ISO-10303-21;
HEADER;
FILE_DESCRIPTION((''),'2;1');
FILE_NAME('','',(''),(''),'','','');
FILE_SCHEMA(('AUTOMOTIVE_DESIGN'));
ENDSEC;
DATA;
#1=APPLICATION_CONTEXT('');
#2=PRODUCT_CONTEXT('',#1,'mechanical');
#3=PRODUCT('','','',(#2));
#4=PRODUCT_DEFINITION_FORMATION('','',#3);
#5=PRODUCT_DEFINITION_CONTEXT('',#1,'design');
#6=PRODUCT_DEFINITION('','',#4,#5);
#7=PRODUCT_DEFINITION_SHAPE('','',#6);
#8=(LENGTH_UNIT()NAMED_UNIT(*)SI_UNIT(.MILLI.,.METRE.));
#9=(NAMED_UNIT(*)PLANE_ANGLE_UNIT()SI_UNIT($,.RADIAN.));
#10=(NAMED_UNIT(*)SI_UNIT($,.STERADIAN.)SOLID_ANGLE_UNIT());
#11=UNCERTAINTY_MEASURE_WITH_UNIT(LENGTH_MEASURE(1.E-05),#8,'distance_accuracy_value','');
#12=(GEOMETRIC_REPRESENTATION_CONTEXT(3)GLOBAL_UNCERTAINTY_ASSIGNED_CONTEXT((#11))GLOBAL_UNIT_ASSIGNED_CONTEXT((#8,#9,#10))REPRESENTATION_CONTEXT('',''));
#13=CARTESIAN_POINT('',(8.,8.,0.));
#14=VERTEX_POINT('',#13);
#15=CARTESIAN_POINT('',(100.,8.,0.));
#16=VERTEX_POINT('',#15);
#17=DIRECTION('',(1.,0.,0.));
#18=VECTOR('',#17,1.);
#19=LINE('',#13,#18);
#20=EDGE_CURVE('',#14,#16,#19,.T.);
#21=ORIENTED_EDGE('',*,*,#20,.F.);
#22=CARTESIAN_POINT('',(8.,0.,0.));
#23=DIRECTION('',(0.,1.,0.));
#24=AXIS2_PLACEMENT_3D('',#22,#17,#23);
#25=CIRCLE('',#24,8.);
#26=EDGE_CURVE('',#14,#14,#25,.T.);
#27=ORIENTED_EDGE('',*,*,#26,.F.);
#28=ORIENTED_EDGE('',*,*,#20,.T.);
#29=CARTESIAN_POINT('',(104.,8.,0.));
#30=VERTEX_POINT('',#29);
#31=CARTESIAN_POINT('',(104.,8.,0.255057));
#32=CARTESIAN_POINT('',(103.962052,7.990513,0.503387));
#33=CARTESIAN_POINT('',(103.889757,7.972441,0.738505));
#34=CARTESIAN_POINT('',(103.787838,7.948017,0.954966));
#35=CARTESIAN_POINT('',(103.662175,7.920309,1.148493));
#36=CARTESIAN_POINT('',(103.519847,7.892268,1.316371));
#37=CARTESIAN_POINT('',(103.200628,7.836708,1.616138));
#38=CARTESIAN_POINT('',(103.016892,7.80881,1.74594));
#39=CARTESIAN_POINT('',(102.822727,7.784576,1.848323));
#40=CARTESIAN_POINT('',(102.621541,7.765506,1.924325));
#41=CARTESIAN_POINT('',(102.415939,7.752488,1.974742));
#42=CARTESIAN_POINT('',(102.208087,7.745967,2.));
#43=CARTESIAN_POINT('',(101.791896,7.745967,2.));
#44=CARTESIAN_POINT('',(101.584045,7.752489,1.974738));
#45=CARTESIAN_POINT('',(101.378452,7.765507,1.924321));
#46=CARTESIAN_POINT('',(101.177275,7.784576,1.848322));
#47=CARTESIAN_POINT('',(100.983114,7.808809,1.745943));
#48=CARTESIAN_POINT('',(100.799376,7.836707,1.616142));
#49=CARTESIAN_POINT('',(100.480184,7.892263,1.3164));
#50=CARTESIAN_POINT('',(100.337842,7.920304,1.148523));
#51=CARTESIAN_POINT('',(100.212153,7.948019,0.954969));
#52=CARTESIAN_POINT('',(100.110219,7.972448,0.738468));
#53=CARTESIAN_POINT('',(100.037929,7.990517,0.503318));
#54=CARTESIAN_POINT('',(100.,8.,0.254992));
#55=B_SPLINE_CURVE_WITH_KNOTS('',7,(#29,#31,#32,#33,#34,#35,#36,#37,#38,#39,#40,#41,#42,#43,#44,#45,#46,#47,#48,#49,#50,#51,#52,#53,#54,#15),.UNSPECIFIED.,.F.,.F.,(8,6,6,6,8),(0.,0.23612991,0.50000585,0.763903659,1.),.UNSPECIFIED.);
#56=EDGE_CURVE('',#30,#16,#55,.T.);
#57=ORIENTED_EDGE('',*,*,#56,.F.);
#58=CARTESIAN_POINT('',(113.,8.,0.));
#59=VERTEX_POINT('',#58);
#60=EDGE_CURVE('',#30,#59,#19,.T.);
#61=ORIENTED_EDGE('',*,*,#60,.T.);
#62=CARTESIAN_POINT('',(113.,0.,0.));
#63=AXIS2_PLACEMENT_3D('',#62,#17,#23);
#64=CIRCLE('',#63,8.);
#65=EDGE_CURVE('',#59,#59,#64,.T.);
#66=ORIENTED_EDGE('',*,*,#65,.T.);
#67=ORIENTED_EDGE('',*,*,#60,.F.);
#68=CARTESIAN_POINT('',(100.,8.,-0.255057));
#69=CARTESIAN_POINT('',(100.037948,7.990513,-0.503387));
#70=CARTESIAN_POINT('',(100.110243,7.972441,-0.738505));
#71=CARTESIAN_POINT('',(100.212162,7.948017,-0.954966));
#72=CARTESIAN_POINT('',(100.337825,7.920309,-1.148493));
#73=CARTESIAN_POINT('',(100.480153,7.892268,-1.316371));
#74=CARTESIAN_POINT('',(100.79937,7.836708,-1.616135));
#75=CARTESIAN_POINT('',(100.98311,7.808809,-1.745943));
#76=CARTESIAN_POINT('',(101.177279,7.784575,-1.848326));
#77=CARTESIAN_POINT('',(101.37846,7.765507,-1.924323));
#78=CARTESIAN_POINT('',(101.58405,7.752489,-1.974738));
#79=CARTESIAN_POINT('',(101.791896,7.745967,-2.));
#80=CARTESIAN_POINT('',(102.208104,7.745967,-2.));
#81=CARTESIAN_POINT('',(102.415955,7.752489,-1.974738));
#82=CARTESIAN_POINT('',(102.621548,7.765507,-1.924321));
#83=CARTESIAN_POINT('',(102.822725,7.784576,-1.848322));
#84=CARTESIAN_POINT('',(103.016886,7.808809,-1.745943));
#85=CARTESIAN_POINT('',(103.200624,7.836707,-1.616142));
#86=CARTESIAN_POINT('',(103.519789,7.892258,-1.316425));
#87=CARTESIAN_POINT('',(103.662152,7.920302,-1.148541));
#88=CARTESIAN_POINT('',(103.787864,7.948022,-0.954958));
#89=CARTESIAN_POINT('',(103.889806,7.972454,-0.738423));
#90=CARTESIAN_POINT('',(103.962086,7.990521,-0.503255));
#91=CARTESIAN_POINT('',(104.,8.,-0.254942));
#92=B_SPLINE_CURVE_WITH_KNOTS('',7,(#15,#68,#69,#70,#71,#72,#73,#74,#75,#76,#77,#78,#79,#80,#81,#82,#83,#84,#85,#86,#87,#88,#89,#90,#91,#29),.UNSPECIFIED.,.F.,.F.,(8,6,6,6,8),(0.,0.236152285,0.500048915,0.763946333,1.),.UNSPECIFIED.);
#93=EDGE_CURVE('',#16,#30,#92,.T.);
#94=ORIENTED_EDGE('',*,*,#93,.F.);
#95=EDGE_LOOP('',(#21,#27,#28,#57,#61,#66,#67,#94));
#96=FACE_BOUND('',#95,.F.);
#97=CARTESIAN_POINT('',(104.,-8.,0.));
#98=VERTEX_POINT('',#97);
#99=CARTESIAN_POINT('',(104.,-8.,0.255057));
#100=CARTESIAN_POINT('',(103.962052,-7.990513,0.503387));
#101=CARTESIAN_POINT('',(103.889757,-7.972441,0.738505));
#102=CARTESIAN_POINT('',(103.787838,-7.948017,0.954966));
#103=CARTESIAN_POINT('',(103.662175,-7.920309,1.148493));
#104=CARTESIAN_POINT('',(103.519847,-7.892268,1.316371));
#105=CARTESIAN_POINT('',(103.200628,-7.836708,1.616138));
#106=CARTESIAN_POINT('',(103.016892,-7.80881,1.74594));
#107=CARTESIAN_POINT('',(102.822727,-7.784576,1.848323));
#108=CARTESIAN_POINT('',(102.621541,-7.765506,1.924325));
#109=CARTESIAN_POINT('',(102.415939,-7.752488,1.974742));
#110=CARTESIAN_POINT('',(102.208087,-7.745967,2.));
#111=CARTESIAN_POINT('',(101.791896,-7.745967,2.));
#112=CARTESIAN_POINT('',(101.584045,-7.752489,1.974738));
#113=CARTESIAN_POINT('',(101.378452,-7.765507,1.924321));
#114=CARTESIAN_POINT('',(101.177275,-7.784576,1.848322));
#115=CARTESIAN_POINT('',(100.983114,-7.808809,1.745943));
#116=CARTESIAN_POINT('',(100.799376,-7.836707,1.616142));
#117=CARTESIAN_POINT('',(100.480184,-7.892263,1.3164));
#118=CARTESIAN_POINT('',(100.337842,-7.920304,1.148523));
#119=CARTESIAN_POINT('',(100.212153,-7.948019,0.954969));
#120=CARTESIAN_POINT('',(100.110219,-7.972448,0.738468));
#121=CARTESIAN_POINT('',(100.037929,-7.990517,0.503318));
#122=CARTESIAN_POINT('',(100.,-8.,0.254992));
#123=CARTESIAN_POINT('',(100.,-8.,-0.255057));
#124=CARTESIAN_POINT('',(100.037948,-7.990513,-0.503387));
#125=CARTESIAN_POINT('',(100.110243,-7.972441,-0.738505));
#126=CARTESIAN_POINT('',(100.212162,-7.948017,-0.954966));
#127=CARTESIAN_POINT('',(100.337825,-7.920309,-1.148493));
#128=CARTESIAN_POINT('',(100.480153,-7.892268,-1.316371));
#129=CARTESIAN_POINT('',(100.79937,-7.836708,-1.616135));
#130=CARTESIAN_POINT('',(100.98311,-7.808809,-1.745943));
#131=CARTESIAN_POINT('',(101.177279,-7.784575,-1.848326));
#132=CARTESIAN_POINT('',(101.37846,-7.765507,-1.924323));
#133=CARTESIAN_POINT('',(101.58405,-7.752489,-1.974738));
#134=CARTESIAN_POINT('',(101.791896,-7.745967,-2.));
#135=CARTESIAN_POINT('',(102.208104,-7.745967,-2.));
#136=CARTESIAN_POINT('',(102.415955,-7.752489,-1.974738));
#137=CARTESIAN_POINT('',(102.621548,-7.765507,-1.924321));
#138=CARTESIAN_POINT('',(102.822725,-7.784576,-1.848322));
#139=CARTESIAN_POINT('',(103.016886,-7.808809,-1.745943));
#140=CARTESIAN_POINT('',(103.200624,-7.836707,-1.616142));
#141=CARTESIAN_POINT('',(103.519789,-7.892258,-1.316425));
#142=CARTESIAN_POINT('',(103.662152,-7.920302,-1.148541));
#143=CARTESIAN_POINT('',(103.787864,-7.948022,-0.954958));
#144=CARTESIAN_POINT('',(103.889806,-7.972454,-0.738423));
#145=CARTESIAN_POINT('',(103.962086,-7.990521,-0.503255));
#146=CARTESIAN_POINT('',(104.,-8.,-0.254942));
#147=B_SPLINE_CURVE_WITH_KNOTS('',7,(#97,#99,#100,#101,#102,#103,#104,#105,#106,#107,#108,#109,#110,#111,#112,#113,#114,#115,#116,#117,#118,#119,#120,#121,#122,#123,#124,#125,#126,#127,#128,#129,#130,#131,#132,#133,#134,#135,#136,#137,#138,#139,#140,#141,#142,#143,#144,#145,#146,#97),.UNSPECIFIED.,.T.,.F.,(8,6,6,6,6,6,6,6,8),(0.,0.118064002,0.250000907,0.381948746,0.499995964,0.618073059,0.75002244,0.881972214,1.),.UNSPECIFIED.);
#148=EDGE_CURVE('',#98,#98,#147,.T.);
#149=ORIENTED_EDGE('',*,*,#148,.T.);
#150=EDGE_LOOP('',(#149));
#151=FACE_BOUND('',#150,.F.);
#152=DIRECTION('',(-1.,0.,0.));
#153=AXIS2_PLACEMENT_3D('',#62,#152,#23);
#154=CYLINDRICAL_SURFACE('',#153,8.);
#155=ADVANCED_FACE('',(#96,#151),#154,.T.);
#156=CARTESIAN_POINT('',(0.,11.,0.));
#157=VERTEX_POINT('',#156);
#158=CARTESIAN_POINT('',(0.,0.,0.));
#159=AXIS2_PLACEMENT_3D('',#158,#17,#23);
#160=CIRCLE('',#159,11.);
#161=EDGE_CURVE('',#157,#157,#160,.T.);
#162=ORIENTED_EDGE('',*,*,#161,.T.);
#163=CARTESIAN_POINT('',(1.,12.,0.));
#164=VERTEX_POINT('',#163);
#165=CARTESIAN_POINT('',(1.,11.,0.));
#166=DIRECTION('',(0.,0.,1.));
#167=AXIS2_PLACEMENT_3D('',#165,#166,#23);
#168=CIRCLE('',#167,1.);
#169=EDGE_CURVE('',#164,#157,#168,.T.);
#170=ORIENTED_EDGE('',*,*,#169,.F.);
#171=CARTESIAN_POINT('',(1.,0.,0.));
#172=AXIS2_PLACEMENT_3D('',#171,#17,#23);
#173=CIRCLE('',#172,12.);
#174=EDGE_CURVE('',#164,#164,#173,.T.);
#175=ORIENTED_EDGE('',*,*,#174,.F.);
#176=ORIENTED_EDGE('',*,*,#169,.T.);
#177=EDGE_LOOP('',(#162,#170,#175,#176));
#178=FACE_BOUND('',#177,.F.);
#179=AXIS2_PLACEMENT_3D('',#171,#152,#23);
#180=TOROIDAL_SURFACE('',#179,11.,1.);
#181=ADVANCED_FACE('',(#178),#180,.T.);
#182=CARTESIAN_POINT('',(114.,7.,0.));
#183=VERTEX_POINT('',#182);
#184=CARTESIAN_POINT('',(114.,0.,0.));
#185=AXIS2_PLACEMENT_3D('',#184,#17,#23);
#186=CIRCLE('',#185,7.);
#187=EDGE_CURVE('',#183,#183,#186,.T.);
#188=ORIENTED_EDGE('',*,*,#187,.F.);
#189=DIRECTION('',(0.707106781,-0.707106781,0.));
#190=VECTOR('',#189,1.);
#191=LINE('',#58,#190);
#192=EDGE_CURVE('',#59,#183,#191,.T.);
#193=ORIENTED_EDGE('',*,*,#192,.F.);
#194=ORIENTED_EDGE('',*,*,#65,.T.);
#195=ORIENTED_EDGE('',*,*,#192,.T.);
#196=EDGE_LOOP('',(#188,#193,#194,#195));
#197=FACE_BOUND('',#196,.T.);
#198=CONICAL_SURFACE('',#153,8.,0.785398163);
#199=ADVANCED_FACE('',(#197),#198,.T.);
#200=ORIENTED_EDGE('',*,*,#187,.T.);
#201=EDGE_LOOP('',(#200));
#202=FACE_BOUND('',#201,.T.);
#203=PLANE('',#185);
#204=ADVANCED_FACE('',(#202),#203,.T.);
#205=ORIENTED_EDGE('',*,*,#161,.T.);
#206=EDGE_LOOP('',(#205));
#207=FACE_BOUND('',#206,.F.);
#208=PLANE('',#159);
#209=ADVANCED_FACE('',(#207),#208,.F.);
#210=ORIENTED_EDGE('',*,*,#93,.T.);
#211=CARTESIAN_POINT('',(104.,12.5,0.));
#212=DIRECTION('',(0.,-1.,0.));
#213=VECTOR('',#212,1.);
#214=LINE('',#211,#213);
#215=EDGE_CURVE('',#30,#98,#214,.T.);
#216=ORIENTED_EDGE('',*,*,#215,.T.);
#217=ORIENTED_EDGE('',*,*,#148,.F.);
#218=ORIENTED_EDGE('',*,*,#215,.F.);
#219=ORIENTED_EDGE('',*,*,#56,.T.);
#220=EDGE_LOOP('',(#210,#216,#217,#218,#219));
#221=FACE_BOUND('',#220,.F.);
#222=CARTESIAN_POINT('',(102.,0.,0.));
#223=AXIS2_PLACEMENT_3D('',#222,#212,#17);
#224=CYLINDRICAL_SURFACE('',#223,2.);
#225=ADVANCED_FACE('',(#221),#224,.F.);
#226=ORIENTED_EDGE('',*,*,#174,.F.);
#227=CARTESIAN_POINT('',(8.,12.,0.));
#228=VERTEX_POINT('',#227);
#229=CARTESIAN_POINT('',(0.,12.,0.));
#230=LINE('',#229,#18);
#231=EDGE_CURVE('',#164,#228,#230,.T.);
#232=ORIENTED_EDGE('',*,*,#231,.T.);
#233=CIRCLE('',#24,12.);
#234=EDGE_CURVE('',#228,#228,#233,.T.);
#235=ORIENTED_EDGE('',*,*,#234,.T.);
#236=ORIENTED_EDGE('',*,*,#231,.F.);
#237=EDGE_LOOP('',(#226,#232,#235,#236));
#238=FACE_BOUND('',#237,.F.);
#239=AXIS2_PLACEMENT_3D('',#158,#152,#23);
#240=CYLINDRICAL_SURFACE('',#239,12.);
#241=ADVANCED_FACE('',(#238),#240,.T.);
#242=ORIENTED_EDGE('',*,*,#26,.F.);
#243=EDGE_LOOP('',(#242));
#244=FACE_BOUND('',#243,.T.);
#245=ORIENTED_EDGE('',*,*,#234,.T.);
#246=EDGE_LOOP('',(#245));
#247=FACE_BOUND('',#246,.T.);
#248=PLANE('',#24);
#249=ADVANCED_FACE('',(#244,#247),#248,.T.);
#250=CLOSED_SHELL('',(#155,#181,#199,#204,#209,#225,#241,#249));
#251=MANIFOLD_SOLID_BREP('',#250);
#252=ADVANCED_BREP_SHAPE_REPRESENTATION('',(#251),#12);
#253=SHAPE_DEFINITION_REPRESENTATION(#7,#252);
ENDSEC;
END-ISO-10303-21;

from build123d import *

# Parameters (mm, degrees)
F0_R      = 12
F1_DEPTH  = 8
F2_R      = 1
F3_R      = 8
F4_DEPTH  = 105
F6_R      = 8
F7_DEPTH  = 1
F8_SIZE   = 1
F9_R      = 2
F10_DEPTH = 12.5


with BuildPart() as f1:
    # F0 (on Right) → F1 (new body)
    with BuildSketch(Plane.YZ):
        Circle(F0_R)
    extrude(amount=F1_DEPTH)

    # F2
    f2_edges = [f1.edges().sort_by_distance(p)[0] for p in [
        (0, -12, 0),
    ]]
    fillet(f2_edges, radius=F2_R)

    # F3 (on face) → F4 (join)
    with BuildSketch(Plane.YZ.offset(8)):
        Circle(F3_R)
    extrude(amount=F4_DEPTH)

    # F6 (on face) → F7 (join)
    with BuildSketch(Plane.YZ.offset(113)):
        Circle(F6_R)
    extrude(amount=F7_DEPTH)

    # F8
    f8_edges = [f1.edges().sort_by_distance(p)[0] for p in [
        (114, -8, 0),
    ]]
    chamfer(f8_edges, length=F8_SIZE)

    # F9 (on Front) → F10 (cut, symmetric)
    with BuildSketch(Plane.XZ):
        with Locations((102, 0)):
            Circle(F9_R)
    extrude(amount=F10_DEPTH, both=True, mode=Mode.SUBTRACT)


solid = f1.part
